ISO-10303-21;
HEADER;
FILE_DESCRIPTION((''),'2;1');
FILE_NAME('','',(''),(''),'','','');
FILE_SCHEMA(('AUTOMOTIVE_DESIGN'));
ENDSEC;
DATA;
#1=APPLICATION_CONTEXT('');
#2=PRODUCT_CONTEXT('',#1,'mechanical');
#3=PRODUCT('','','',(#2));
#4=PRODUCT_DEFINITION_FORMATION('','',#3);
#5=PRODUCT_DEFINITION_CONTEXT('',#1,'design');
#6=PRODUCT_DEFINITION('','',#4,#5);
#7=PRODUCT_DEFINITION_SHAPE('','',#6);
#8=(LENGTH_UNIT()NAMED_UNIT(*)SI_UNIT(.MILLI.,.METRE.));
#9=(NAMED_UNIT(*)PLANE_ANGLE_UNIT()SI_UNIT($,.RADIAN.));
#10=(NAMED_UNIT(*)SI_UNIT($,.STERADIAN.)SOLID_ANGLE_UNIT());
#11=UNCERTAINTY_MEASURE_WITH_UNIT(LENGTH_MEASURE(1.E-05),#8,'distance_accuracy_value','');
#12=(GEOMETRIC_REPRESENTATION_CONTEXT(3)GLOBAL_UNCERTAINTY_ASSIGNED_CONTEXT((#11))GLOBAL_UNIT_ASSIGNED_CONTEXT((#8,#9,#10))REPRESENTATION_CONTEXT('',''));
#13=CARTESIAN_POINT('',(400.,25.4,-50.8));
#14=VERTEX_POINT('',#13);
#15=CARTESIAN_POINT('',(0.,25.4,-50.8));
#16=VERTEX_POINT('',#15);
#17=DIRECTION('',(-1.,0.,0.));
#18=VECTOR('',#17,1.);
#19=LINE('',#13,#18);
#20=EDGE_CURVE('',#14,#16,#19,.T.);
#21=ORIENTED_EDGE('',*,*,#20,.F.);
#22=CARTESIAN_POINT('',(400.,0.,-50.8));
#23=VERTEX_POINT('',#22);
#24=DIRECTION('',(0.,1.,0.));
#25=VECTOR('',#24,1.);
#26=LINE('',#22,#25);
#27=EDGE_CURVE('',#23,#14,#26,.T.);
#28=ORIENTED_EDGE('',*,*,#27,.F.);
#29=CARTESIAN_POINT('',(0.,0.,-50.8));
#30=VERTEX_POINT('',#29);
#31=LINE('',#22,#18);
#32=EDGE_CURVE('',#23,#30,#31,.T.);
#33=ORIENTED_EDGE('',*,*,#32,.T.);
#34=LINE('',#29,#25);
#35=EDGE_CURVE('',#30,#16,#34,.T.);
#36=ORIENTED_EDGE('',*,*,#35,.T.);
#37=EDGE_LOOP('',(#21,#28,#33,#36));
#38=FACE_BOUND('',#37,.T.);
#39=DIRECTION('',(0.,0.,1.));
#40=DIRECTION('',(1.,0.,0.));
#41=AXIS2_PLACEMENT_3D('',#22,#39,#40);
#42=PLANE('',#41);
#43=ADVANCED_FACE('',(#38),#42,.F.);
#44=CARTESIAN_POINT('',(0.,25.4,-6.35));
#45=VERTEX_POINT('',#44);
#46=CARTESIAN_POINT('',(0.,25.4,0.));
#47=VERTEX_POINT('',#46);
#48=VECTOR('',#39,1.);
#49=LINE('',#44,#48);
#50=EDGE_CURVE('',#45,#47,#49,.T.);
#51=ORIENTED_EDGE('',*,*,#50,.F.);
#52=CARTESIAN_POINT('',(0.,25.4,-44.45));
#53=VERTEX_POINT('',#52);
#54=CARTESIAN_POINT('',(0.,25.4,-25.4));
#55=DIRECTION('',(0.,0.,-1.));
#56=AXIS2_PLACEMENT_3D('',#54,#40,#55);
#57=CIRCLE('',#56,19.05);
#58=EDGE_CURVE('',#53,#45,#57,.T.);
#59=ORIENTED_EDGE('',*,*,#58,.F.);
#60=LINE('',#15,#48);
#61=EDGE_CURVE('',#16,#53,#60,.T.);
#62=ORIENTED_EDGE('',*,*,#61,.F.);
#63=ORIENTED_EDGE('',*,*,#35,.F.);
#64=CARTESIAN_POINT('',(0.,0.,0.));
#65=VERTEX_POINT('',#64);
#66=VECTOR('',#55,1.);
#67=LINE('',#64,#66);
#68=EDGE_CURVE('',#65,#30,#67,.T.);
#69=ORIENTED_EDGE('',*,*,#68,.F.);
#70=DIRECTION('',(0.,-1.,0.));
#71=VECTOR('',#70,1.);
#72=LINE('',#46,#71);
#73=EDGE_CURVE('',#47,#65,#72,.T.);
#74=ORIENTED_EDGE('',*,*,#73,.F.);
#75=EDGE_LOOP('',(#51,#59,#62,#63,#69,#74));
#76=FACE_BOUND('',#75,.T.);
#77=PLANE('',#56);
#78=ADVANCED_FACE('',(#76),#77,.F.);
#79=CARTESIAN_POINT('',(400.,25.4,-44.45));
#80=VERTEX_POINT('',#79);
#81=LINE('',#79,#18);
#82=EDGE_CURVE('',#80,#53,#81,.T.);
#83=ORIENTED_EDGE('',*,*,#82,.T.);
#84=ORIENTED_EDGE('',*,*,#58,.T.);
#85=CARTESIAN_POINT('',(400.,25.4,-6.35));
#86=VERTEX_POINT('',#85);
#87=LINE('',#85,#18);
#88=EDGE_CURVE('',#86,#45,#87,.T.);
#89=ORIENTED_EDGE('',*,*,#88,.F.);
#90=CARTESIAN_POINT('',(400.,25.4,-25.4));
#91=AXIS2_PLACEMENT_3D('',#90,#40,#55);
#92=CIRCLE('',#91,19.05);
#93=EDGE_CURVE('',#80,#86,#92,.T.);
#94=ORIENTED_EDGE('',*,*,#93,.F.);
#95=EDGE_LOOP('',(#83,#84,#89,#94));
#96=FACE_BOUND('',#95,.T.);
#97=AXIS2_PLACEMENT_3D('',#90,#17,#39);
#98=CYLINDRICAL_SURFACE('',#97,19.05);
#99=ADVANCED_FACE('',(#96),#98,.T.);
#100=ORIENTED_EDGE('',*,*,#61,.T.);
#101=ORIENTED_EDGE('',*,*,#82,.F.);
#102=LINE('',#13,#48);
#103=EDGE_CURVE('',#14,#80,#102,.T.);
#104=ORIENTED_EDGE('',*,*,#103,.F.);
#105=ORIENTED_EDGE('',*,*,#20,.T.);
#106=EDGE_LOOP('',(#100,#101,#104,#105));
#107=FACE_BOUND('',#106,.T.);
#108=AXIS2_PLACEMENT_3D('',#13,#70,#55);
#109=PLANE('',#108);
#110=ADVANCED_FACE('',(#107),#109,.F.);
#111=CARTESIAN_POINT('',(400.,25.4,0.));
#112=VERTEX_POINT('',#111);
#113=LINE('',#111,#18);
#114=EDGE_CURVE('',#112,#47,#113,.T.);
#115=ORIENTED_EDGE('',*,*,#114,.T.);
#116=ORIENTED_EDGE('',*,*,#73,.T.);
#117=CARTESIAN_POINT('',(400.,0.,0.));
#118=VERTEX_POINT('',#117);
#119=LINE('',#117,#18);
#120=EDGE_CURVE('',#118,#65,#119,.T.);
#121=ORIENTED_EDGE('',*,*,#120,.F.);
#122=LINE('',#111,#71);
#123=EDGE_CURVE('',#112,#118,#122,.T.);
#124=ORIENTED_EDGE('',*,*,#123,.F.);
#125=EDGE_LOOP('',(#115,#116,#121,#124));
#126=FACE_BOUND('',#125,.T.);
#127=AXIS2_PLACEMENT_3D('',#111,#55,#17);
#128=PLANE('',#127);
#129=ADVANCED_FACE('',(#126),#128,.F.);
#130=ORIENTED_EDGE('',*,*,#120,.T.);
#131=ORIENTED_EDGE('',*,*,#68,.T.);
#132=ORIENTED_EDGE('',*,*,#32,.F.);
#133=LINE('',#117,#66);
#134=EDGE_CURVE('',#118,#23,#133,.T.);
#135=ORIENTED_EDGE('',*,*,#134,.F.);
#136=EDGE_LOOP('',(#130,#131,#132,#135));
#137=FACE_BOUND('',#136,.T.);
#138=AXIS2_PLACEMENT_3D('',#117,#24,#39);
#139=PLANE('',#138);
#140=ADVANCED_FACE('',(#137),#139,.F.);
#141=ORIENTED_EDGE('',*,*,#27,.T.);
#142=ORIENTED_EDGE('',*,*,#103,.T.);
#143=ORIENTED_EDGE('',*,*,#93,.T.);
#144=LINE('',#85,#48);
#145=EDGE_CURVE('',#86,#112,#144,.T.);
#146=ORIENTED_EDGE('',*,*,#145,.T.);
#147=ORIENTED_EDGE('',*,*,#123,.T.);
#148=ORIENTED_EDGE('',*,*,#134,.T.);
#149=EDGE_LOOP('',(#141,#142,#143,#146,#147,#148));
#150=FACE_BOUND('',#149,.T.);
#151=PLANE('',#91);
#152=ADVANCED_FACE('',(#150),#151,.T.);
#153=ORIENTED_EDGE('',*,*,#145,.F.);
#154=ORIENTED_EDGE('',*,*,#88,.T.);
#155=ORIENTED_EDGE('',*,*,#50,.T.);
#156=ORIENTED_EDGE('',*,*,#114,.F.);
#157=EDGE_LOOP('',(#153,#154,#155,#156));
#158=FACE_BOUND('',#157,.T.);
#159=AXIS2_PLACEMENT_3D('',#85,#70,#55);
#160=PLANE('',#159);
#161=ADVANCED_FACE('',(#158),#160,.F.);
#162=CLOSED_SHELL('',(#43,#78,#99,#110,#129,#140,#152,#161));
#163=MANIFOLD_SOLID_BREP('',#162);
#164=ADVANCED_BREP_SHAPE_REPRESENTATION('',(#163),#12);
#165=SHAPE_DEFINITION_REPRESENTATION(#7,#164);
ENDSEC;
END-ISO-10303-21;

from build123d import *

# Parameters (mm, degrees)
BOSS_EXTRUDE1_DEPTH = 400


with BuildPart() as part:
    # Sketch1 → Boss-Extrude1 (new body)
    with BuildSketch(Plane(origin=(0, 0, 0), x_dir=(0, 0, -1), z_dir=(1, 0, 0))):
        with BuildLine():
            Line((0, 0), (50.8, 0))
            Line((50.8, 0), (50.8, 25.4))
            Line((50.8, 25.4), (44.45, 25.4))
            ThreePointArc((44.45, 25.4), (25.4, 44.45), (6.35, 25.4))
            Line((6.35, 25.4), (0, 25.4))
            Line((0, 25.4), (0, 0))
        make_face()
    extrude(amount=BOSS_EXTRUDE1_DEPTH)


solid = part.part
